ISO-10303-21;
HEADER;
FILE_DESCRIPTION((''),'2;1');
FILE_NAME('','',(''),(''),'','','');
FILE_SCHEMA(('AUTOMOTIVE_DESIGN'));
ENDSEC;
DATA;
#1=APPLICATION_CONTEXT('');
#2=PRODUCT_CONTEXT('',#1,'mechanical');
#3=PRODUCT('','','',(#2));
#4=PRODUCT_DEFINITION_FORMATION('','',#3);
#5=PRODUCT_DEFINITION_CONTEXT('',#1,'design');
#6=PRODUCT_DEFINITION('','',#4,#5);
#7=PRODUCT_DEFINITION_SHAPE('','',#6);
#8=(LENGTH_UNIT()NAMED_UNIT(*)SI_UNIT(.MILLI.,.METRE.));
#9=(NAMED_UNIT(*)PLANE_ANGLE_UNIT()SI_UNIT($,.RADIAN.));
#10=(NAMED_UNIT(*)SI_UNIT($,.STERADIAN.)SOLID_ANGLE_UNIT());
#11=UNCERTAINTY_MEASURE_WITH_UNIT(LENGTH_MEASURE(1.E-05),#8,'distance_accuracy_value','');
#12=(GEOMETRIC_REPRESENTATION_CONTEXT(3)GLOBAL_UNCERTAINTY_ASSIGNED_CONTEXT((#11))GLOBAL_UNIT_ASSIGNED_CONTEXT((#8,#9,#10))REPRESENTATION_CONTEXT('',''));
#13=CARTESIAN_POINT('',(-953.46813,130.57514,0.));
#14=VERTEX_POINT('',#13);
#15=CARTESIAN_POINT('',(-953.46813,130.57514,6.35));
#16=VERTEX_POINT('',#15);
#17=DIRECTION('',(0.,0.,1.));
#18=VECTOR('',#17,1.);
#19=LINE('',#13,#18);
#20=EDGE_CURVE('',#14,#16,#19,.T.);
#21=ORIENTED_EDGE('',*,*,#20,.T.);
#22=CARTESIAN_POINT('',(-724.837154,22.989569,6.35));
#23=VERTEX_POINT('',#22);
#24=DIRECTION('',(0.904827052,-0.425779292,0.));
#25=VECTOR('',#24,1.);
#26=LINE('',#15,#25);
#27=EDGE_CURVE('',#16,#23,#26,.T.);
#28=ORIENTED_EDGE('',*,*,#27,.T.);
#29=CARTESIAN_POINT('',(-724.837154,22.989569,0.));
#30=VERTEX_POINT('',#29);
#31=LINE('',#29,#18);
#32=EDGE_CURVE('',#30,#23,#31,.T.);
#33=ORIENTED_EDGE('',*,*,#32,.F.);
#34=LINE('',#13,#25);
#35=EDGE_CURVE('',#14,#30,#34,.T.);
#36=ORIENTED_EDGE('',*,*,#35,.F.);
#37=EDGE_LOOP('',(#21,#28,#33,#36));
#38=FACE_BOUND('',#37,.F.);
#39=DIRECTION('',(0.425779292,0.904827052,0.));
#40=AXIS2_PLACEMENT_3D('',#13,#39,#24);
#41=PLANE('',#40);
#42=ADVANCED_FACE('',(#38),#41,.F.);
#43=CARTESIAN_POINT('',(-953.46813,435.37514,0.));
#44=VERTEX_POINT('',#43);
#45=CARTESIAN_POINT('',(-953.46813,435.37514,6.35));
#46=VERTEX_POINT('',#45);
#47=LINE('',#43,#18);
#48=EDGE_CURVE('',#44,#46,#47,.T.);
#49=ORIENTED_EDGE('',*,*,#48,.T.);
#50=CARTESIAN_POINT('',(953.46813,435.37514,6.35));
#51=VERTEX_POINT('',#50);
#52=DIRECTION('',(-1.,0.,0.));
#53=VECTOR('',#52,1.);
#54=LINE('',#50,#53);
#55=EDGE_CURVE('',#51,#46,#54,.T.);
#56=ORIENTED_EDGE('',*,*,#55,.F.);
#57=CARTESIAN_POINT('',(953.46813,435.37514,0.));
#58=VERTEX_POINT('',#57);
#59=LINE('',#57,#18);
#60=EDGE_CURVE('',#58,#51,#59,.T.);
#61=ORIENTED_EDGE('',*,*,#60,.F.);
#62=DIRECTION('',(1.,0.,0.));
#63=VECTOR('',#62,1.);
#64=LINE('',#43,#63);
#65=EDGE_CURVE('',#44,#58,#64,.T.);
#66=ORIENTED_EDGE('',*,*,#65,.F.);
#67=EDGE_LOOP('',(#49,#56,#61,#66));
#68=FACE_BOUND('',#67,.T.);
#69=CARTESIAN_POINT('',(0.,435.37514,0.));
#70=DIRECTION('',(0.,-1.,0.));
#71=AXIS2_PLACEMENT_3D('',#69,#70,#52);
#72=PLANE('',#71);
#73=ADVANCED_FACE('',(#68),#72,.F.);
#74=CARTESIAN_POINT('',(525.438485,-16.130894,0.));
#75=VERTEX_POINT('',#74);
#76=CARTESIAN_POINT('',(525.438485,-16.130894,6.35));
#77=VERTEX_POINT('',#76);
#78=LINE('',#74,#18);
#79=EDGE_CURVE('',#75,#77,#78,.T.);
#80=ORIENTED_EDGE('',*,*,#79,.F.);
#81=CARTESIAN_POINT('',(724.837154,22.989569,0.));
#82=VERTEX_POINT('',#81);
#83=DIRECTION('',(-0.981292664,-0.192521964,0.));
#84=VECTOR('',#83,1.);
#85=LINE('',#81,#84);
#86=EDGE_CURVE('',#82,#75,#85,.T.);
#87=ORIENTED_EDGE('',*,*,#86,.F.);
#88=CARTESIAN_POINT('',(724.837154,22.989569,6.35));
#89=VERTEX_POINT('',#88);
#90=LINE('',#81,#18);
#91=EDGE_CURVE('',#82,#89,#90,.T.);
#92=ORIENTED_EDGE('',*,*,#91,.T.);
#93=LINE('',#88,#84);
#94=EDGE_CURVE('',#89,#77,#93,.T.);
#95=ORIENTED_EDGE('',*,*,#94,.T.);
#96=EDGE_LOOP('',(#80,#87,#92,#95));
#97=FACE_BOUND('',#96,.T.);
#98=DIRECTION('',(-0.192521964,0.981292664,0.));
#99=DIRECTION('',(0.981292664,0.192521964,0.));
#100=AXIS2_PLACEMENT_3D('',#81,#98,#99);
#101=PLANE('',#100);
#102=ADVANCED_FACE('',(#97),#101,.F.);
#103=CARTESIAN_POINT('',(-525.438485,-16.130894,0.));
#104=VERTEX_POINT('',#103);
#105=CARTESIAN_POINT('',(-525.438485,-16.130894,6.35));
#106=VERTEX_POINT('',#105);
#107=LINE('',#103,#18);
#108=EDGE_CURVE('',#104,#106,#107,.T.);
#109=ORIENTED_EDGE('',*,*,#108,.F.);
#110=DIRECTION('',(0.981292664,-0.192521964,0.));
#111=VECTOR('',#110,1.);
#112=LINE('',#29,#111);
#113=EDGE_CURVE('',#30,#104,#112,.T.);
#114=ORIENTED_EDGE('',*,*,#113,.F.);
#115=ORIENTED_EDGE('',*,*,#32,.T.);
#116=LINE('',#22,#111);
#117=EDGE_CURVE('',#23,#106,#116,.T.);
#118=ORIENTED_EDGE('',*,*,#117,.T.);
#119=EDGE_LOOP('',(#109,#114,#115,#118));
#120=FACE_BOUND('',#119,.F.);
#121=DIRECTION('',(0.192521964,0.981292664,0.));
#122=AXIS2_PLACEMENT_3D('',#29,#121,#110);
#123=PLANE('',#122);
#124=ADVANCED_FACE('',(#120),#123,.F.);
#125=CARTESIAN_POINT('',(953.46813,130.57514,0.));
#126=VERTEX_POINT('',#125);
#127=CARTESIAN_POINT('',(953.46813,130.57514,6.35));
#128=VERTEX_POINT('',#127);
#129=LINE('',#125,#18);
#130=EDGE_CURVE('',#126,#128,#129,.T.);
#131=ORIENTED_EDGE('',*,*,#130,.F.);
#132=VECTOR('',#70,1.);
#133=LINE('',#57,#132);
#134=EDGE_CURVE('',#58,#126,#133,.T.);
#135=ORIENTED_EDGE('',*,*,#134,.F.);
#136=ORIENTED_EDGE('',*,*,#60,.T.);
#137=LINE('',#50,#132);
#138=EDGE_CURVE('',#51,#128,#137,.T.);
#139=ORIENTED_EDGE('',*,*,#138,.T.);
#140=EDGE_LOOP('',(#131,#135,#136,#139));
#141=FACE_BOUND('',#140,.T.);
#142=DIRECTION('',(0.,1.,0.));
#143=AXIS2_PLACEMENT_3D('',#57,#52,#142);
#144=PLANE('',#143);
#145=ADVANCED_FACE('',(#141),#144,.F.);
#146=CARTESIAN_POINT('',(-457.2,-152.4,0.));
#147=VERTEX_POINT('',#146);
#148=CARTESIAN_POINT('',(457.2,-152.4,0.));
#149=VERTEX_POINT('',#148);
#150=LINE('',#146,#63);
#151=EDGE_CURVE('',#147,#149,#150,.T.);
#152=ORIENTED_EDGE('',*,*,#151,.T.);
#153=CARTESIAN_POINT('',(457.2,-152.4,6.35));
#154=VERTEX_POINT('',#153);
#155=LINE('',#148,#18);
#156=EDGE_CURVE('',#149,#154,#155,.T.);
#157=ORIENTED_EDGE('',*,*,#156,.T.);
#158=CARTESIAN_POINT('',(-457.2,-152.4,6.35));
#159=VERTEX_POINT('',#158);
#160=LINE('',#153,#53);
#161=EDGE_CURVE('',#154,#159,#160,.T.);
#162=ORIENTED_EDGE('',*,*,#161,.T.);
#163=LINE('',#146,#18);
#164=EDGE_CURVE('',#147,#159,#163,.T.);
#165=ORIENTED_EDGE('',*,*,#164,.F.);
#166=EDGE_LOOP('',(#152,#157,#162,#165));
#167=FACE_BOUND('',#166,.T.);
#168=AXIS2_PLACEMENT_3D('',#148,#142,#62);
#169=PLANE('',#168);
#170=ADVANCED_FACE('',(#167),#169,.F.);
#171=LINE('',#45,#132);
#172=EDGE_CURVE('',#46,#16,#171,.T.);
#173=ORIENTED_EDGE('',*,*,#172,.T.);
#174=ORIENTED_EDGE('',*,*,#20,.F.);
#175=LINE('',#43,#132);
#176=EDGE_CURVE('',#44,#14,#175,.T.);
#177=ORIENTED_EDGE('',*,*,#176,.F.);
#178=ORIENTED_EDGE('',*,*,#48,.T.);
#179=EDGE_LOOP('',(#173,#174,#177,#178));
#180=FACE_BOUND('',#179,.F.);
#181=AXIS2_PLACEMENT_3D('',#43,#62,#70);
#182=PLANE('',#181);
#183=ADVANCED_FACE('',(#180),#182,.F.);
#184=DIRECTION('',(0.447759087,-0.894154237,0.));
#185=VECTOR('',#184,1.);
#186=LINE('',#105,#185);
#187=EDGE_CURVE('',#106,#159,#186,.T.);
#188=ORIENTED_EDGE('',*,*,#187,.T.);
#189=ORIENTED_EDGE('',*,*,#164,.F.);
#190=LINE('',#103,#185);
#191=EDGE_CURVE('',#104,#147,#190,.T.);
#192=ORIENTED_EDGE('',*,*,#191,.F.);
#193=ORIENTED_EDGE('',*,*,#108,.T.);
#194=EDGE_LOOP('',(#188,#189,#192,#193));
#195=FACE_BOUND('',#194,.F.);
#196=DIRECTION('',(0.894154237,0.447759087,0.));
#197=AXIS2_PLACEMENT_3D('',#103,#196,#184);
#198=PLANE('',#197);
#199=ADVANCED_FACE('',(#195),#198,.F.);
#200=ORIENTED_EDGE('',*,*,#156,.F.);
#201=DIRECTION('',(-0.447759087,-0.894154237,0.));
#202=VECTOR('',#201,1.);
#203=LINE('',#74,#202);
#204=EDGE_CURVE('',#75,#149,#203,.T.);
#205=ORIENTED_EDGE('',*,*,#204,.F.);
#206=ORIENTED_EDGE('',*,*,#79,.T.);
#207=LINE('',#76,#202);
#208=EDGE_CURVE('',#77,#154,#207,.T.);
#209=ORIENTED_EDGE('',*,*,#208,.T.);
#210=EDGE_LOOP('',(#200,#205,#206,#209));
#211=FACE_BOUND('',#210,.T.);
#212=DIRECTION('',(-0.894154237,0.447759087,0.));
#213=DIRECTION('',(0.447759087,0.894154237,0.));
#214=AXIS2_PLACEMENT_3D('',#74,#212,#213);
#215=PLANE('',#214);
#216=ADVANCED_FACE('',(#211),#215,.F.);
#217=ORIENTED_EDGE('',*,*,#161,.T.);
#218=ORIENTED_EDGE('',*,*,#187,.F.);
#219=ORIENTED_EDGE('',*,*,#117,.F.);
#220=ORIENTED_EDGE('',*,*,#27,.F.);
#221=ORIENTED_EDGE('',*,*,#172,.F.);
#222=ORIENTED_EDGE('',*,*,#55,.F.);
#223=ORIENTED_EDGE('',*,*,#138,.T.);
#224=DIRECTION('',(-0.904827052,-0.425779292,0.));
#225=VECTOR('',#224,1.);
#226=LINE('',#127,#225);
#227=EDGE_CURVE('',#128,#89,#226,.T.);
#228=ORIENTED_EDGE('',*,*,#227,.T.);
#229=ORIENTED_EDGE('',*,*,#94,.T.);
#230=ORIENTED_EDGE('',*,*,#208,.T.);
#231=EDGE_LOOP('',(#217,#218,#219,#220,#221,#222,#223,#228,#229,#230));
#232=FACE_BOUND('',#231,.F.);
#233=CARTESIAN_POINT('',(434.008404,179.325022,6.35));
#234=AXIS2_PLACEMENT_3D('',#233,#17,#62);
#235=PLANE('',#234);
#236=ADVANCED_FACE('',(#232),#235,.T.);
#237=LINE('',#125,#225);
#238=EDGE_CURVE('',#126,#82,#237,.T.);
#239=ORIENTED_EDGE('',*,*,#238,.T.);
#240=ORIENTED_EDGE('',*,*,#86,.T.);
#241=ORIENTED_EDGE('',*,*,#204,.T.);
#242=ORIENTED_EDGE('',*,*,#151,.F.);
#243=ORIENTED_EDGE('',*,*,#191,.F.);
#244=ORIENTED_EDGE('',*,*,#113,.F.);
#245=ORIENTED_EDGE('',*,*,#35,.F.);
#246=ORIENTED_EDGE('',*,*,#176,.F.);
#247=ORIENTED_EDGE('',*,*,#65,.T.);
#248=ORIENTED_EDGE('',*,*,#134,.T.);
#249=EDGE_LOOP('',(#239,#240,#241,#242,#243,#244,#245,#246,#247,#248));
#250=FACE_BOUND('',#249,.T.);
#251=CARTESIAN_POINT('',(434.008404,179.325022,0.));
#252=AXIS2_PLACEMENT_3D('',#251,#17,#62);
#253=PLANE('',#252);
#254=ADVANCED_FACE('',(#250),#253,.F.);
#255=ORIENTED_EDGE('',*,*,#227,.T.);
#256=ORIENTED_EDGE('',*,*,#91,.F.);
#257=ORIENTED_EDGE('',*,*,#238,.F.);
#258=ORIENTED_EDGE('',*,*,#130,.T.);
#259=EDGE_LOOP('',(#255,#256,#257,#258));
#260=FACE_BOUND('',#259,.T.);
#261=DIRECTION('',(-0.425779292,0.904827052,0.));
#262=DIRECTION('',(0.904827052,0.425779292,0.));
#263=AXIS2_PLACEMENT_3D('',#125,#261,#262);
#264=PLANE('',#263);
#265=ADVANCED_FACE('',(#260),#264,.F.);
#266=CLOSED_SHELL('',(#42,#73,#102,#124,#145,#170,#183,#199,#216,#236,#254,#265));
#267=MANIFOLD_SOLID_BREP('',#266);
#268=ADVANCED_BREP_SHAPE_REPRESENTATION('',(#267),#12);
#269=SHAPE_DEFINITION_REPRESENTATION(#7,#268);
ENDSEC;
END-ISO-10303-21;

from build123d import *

# Parameters (mm, degrees)
F1_DEPTH = 6.35


with BuildPart() as f1:
    # F0 (on Top) → F1 (new body)
    with BuildSketch(Plane.XY):
        Polygon((-525.438485, -16.130894), (-457.2, -152.4), (0, -152.4), (0, 435.37514), (-953.46813, 435.37514), (-953.46813, 130.57514), (-724.837154, 22.989569), align=None)
    extrude(amount=F1_DEPTH)

    # F2: F1 across plane


with BuildPart() as f1_1:
    add(f1.part)
    add(f1.part.mirror(Plane.YZ))


solid = f1_1.part
